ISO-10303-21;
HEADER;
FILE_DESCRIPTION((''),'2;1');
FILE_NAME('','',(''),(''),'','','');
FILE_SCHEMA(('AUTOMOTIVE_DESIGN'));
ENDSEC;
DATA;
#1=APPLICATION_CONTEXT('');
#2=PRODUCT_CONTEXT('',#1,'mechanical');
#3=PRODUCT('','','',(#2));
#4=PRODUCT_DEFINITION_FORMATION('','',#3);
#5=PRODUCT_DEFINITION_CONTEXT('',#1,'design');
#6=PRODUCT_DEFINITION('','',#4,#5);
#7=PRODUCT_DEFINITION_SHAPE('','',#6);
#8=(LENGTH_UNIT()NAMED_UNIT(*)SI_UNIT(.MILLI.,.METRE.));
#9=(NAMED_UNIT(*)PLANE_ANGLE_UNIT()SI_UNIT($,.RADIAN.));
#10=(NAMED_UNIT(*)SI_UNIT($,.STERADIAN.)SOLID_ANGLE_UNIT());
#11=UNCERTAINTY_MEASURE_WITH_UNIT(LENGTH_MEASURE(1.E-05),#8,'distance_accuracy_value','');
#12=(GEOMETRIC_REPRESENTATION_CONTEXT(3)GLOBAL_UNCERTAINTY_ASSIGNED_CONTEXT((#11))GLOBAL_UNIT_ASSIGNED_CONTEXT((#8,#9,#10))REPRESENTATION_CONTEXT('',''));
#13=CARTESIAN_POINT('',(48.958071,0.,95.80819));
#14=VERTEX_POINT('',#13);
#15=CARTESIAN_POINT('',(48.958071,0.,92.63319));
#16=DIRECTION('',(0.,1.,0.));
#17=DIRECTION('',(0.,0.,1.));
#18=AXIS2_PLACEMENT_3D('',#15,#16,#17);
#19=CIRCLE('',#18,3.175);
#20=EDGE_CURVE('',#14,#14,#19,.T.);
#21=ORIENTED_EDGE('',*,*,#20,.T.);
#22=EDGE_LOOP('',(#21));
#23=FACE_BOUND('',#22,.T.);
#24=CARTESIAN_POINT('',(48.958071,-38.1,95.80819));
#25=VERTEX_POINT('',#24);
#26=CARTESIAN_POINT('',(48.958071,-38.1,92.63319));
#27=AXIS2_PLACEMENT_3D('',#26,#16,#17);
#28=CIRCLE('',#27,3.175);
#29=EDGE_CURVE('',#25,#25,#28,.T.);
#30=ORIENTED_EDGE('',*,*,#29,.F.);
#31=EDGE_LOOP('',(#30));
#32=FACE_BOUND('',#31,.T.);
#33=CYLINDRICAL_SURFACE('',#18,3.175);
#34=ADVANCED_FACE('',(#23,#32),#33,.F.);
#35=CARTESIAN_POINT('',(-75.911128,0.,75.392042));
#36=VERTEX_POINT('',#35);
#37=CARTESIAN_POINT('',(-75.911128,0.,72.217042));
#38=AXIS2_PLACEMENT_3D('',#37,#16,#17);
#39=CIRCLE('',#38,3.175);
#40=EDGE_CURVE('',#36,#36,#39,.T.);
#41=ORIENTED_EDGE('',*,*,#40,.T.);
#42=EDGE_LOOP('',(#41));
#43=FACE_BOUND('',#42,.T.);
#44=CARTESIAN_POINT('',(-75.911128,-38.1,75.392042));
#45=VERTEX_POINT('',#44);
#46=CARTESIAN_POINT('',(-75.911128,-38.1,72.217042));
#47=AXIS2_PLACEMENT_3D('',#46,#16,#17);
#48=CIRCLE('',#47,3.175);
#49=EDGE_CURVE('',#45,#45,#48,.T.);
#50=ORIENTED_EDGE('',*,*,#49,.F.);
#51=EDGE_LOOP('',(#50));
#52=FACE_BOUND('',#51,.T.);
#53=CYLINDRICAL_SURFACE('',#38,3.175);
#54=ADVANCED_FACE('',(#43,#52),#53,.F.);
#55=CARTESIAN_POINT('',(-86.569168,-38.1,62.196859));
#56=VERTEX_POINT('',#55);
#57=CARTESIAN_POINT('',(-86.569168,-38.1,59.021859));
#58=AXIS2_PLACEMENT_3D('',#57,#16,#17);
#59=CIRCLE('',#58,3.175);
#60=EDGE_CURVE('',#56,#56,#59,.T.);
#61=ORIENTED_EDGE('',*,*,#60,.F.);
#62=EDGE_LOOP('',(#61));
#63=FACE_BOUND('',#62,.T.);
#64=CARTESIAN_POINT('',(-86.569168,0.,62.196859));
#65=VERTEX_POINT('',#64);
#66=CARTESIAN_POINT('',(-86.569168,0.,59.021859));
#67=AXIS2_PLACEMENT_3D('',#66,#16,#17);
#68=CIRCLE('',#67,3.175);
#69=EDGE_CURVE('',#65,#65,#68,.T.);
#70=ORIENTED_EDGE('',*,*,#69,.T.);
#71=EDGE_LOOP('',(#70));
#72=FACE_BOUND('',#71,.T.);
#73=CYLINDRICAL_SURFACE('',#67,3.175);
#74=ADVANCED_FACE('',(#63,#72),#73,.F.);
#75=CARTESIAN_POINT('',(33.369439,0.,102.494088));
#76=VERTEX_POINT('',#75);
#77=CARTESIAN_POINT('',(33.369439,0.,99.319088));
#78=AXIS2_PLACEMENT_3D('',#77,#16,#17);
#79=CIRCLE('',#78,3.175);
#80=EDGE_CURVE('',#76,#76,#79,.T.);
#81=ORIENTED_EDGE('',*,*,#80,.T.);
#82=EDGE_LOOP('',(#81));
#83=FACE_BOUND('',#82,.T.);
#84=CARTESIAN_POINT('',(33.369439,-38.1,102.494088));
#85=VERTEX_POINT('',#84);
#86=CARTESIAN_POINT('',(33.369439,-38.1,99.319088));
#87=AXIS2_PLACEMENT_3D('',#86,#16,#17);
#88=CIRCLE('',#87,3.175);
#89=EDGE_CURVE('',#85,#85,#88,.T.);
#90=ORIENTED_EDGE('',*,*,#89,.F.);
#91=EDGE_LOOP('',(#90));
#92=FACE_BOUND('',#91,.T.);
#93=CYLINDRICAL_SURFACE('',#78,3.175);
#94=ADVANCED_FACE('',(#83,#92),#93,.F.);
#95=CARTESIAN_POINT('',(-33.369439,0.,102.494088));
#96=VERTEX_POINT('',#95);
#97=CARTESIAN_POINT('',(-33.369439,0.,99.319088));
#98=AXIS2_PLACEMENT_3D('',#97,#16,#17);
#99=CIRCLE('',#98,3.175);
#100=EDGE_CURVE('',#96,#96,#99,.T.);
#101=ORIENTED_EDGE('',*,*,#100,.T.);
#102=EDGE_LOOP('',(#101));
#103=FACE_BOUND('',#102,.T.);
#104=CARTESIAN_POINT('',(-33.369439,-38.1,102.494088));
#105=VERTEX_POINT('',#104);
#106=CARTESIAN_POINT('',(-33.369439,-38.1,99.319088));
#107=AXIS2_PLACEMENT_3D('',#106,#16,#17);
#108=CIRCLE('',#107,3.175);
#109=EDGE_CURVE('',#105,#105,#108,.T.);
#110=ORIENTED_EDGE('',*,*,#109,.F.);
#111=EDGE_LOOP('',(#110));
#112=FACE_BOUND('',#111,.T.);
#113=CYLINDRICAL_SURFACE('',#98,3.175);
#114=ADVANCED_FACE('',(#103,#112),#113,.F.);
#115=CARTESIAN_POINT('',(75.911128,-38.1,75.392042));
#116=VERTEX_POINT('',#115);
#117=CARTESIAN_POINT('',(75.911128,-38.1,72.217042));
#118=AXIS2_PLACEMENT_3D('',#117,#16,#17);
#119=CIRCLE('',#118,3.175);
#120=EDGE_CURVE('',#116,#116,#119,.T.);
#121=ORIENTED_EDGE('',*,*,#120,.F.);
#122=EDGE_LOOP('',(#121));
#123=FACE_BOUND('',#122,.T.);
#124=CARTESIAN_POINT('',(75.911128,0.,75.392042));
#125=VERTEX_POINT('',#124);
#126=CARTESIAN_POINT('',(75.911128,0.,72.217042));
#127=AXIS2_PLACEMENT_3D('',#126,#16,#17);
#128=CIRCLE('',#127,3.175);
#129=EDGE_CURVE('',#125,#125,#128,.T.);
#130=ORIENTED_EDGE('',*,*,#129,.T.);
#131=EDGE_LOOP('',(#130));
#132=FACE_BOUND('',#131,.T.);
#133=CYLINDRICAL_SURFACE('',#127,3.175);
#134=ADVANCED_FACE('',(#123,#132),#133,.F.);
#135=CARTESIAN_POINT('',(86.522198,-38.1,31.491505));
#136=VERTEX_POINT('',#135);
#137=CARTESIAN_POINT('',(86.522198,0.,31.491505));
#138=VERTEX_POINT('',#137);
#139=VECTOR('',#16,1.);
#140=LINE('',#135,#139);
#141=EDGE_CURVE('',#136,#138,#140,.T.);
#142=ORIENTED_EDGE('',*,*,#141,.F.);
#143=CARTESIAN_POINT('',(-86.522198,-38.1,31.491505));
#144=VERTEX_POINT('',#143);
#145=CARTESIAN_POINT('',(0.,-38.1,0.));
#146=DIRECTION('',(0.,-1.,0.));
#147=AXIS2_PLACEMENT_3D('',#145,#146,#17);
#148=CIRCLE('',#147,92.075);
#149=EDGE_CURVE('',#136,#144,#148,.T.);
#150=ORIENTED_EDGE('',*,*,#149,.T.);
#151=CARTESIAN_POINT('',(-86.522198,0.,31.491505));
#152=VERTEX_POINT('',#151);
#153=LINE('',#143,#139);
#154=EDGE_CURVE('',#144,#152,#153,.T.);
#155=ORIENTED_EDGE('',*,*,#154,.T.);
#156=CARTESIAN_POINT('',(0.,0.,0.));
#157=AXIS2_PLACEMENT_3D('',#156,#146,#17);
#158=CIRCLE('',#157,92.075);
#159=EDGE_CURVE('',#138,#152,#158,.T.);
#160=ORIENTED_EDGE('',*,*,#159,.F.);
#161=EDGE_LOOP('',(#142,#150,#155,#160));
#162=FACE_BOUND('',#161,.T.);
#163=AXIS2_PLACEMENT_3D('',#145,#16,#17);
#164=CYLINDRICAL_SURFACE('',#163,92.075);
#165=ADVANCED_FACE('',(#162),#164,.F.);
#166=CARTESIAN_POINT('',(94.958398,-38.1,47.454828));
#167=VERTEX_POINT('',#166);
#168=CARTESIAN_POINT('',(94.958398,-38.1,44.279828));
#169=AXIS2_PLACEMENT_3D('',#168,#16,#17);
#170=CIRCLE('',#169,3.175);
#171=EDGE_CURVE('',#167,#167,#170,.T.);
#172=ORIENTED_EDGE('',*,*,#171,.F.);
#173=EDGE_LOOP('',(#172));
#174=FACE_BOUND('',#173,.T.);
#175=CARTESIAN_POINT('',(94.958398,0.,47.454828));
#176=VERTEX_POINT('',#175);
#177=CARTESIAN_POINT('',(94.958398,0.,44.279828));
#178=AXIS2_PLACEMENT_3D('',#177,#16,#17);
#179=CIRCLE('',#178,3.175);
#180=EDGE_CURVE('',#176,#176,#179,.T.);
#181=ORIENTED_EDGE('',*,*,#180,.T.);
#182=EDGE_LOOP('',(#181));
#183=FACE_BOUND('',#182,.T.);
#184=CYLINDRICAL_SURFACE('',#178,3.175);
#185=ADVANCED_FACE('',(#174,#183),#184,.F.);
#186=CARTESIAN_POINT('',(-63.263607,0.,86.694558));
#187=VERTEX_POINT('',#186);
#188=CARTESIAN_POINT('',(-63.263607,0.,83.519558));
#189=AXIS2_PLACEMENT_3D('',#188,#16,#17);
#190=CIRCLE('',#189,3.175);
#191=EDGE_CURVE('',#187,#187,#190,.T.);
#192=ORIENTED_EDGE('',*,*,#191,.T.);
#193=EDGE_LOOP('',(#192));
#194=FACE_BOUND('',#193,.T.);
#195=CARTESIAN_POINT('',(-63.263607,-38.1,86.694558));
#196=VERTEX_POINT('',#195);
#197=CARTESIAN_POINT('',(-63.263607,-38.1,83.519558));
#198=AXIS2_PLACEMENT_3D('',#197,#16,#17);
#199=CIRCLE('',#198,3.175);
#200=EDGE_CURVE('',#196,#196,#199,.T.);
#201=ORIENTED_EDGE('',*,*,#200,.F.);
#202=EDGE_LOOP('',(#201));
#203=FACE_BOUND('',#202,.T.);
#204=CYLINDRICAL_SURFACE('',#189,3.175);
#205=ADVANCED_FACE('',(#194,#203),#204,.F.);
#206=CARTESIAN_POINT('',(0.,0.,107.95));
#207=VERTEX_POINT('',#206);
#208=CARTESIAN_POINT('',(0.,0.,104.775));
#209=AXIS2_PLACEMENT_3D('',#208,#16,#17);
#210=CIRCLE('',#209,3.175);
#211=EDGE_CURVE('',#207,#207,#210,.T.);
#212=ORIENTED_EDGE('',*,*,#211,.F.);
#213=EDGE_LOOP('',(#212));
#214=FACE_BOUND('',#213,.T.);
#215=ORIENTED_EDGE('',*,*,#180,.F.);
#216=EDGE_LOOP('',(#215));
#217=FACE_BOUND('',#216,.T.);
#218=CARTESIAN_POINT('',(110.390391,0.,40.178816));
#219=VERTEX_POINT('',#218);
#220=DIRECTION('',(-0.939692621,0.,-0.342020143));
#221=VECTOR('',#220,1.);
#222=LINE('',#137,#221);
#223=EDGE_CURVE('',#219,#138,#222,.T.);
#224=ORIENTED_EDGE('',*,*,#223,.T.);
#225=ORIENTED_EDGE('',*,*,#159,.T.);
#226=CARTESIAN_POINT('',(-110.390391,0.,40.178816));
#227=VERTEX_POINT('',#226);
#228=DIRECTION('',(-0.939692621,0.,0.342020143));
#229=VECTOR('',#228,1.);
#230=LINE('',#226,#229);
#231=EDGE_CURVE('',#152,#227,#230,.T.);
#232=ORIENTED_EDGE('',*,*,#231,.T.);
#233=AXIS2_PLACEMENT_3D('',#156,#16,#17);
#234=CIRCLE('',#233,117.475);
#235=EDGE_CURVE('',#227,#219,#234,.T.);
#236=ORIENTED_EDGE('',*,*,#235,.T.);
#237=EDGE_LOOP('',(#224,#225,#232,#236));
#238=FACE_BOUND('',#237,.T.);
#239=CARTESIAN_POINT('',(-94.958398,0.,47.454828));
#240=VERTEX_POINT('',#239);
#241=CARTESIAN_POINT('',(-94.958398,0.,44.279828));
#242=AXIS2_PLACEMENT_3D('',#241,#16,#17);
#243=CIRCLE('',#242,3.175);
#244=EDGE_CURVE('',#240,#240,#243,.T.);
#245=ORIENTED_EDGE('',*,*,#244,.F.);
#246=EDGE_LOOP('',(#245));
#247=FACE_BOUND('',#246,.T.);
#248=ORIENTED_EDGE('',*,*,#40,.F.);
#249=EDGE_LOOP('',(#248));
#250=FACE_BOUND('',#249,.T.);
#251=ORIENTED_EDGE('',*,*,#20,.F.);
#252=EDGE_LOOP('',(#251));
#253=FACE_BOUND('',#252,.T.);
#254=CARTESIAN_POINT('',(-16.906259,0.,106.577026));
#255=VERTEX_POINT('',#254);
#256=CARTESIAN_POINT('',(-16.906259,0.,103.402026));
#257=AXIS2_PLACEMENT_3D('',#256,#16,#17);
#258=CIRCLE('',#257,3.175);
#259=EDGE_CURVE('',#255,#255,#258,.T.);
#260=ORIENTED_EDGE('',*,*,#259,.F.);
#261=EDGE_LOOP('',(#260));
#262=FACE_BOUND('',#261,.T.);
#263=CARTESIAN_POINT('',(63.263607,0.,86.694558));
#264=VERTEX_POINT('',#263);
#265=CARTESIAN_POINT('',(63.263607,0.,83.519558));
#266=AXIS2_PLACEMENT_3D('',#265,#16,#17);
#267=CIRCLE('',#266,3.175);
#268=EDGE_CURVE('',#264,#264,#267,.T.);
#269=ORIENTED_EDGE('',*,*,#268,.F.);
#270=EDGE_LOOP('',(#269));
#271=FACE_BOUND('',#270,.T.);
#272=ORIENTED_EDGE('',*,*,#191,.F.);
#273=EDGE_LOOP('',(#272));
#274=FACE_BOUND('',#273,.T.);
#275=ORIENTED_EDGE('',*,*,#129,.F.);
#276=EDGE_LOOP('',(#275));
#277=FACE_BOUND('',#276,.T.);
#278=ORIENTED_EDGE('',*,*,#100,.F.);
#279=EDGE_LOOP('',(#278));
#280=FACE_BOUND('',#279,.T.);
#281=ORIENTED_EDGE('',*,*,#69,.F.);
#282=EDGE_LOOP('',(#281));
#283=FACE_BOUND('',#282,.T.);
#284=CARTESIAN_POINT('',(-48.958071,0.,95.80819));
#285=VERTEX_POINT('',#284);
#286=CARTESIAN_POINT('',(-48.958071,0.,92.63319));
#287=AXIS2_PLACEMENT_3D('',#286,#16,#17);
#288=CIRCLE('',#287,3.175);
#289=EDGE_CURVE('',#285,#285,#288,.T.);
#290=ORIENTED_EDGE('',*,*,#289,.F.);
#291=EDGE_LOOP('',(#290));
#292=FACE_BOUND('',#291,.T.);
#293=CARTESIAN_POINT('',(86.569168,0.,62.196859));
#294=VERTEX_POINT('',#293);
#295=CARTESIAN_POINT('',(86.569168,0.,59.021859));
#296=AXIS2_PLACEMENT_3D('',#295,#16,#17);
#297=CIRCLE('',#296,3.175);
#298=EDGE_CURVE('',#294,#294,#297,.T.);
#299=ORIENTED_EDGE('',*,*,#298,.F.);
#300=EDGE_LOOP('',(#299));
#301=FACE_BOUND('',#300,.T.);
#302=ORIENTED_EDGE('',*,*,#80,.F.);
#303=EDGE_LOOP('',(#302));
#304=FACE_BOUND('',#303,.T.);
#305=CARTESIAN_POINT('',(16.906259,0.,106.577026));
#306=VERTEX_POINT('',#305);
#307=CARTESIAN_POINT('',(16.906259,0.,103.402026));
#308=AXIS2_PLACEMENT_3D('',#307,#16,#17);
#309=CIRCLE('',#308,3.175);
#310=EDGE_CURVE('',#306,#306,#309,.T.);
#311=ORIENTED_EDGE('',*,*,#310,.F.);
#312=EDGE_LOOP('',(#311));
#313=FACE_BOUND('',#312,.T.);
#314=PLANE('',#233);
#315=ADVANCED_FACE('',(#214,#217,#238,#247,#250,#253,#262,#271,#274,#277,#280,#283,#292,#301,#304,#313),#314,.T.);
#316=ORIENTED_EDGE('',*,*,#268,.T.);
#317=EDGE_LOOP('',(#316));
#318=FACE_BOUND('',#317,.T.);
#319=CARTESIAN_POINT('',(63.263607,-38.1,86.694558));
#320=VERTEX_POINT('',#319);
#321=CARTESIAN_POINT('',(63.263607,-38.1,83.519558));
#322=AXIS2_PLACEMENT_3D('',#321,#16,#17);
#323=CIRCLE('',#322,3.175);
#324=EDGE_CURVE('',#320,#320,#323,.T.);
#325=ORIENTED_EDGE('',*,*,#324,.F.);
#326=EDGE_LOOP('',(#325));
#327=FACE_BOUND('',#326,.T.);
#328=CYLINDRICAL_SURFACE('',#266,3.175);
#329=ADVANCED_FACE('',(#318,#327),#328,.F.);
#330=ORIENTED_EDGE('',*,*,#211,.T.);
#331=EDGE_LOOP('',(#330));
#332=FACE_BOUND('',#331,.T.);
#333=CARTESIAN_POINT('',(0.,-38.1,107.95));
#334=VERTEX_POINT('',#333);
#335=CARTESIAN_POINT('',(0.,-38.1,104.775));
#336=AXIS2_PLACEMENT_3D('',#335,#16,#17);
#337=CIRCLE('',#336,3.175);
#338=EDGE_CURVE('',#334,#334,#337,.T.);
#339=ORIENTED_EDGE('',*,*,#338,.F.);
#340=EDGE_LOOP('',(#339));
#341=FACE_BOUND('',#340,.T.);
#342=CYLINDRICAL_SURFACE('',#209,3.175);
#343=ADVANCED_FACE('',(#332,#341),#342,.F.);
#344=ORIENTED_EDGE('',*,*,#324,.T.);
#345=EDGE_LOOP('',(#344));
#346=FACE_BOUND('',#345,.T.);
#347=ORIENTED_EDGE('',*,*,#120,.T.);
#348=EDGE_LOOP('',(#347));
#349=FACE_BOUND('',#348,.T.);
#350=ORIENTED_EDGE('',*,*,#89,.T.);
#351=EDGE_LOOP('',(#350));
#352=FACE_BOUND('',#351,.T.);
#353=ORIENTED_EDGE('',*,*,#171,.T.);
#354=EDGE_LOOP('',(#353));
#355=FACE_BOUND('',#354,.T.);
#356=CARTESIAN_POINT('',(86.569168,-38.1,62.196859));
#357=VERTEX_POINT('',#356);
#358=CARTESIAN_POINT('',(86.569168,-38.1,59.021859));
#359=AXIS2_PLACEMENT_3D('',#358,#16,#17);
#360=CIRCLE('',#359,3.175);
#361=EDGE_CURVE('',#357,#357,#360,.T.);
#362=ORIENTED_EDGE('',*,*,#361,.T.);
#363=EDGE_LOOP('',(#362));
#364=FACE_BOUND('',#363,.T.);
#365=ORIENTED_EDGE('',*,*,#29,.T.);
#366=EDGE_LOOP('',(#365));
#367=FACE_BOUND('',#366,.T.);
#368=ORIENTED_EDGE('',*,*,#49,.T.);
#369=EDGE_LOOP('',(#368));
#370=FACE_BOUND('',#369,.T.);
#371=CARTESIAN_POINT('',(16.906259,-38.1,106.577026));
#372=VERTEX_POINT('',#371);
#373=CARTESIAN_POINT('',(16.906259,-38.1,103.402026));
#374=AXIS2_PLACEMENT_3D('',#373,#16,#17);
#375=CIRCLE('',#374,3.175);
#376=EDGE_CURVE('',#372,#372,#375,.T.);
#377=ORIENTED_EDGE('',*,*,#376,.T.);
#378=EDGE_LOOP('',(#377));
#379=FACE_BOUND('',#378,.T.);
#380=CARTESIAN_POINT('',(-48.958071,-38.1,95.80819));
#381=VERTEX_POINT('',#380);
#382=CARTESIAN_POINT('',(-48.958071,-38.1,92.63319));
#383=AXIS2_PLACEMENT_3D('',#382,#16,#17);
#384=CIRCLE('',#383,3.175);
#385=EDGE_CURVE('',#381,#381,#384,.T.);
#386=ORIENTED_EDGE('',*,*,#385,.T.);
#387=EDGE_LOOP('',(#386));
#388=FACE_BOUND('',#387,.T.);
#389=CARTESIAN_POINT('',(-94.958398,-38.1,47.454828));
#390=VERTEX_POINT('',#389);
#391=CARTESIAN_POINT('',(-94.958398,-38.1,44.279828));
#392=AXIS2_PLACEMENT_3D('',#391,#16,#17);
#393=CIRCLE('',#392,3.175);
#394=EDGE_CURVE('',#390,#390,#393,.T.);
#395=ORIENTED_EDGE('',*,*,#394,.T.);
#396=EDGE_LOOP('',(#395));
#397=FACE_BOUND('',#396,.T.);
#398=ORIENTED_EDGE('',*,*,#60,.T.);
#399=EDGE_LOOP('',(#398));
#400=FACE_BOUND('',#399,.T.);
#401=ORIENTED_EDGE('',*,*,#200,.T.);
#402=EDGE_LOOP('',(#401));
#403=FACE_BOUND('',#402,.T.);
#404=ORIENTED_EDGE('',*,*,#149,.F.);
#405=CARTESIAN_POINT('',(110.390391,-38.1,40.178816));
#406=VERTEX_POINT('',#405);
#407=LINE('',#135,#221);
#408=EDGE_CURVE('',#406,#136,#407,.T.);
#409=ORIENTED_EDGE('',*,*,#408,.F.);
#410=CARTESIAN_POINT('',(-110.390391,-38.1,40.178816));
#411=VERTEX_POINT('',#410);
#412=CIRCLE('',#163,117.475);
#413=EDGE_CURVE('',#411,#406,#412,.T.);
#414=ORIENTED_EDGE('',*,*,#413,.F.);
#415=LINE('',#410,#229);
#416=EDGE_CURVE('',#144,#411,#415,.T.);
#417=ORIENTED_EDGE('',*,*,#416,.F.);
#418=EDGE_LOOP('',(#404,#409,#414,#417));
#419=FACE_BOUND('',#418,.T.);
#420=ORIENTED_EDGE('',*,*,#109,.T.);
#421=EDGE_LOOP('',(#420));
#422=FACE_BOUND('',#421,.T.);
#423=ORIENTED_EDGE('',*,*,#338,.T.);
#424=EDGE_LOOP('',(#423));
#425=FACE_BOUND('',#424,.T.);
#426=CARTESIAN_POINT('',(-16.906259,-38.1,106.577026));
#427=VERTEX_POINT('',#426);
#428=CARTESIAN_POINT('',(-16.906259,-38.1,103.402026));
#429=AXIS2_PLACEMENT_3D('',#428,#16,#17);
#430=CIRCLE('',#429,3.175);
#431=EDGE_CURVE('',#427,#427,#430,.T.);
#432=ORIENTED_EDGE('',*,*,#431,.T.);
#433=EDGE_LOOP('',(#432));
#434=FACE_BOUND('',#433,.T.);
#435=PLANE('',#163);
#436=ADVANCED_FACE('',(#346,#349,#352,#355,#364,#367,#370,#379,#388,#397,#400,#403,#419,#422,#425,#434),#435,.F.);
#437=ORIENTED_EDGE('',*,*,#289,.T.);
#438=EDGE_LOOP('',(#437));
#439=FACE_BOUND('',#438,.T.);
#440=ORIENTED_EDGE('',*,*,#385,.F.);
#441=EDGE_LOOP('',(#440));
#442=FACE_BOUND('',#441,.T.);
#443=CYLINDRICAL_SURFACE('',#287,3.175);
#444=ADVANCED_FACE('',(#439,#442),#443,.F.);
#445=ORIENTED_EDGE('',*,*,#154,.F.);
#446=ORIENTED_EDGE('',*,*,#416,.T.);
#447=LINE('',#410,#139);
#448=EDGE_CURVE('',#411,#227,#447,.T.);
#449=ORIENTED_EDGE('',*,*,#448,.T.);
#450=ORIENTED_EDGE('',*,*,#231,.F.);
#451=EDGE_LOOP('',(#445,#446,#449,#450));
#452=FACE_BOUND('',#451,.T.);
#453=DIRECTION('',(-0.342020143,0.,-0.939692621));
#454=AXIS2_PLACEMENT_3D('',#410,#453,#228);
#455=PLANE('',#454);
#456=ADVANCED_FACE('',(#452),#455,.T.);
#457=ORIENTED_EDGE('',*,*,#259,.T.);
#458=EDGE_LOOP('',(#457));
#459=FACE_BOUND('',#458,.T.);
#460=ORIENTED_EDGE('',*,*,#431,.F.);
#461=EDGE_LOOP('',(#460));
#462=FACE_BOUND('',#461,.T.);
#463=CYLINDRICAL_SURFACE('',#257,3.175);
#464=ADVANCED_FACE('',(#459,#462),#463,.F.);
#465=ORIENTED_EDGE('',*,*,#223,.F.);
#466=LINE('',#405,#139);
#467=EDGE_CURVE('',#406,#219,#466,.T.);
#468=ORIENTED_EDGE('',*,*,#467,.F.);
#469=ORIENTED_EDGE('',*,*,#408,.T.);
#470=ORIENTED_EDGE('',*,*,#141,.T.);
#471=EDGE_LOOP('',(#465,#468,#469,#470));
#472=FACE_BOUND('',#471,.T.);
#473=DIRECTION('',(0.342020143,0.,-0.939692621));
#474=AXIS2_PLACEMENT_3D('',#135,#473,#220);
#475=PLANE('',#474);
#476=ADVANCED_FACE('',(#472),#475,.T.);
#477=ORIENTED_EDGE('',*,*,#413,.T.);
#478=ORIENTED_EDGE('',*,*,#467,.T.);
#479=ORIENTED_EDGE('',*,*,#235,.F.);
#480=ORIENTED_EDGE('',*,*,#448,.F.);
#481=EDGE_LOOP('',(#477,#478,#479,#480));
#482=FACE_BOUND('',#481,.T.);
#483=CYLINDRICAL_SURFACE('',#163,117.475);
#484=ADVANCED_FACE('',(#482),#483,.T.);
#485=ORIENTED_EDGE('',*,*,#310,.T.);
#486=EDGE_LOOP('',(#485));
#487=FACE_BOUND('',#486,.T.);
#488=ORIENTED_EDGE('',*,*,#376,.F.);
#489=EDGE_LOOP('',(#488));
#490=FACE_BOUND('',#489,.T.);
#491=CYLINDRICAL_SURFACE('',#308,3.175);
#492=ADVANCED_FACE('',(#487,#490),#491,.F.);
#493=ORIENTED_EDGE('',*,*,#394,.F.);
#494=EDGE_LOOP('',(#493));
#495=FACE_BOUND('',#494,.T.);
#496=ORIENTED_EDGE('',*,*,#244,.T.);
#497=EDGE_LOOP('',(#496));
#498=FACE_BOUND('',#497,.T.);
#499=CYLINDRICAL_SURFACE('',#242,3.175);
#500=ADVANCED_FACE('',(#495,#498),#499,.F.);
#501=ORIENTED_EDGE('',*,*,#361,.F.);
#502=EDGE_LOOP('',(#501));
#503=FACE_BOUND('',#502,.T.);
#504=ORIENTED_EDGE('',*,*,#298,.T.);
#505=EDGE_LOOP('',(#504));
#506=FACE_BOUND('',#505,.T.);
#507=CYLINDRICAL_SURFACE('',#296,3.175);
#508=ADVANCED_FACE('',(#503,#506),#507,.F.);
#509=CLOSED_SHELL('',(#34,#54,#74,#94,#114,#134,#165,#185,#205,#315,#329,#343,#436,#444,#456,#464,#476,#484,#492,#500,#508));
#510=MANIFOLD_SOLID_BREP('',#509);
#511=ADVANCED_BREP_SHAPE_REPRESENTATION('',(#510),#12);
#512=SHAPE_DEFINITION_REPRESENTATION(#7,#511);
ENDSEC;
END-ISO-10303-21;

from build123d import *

# Parameters (mm, degrees)
BOSS_EXTRUDE1_DEPTH        = 38.1
F_1_4_0_2500_DOWEL_HOLE1_D = 6.35
CIRPATTERN1_COUNT          = 8
CIRPATTERN1_ANGLE          = 65
MIRROR1_COPY_1_D           = 6.35
MIRROR1_COPY_2_D           = 6.35
MIRROR1_COPY_3_D           = 6.35
MIRROR1_COPY_4_D           = 6.35
MIRROR1_COPY_5_D           = 6.35
MIRROR1_COPY_6_D           = 6.35
MIRROR1_COPY_7_D           = 6.35
MIRROR1_COPY_8_D           = 6.35


with BuildPart() as part:
    # Sketch1 → Boss-Extrude1 (new body)
    with BuildSketch(Plane(origin=(0, 0, 0), x_dir=(1, 0, 0), z_dir=(0, 1, 0))):
        with BuildLine():
            Line((-110.390390627, -40.178816337), (-86.522198059, -31.491504697))
            ThreePointArc((-86.522198059, -31.491504697), (0, -92.075), (86.522198059, -31.491504697))
            Line((86.522198059, -31.491504697), (110.390390627, -40.178816337))
            ThreePointArc((110.390390627, -40.178816337), (0, -117.475), (-110.390390627, -40.178816337))
        make_face()
    extrude(amount=-BOSS_EXTRUDE1_DEPTH)

    # 1/4 (0.2500) Dowel Hole1 (through all)
    with Locations(Plane(origin=(0, 0, 0), x_dir=(1, 0, 0), z_dir=(0, 1, 0))):
        with Locations((0, -104.775)):
            f_1_4_0_2500_dowel_hole1 = Hole(F_1_4_0_2500_DOWEL_HOLE1_D / 2)

    # CirPattern1: 1/4 (0.2500) Dowel Hole1 ×8 about axis
    cirpattern1_axis = Axis((0, 0, 0), (0, -1, 0))
    for i in range(1, CIRPATTERN1_COUNT):
        add(f_1_4_0_2500_dowel_hole1.rotate(cirpattern1_axis, i * CIRPATTERN1_ANGLE / (CIRPATTERN1_COUNT - 1)), mode=Mode.SUBTRACT)

    # Mirror1 copy 1 (through all)
    with Locations(Plane(origin=(0, 0, 0), x_dir=(-0.9868959788567211, 0, 0.161357760632807), z_dir=(0, 1, 0))):
        with Locations((0, 104.775)):
            Hole(MIRROR1_COPY_1_D / 2)

    # Mirror1 copy 2 (through all)
    with Locations(Plane(origin=(0, 0, 0), x_dir=(-0.9479273461671315, 0, 0.3184866502516851), z_dir=(0, 1, 0))):
        with Locations((0, 104.775)):
            Hole(MIRROR1_COPY_2_D / 2)

    # Mirror1 copy 3 (through all)
    with Locations(Plane(origin=(0, 0, 0), x_dir=(-0.8841153935046093, 0, 0.4672686282730629), z_dir=(0, 1, 0))):
        with Locations((0, 104.775)):
            Hole(MIRROR1_COPY_3_D / 2)

    # Mirror1 copy 4 (through all)
    with Locations(Plane(origin=(0, 0, 0), x_dir=(-0.7971325072229216, 0, 0.6038044103254785), z_dir=(0, 1, 0))):
        with Locations((0, 104.775)):
            Hole(MIRROR1_COPY_4_D / 2)

    # Mirror1 copy 5 (through all)
    with Locations(Plane(origin=(0, 0, 0), x_dir=(-0.6892583384839459, 0, 0.7245156608592739), z_dir=(0, 1, 0))):
        with Locations((0, 104.775)):
            Hole(MIRROR1_COPY_5_D / 2)

    # Mirror1 copy 6 (through all)
    with Locations(Plane(origin=(0, 0, 0), x_dir=(-0.5633200580636203, 0, 0.8262387743159961), z_dir=(0, 1, 0))):
        with Locations((0, 104.775)):
            Hole(MIRROR1_COPY_6_D / 2)

    # Mirror1 copy 7 (through all)
    with Locations(Plane(origin=(0, 0, 0), x_dir=(-0.4226182617406972, 0, 0.906307787036651), z_dir=(0, 1, 0))):
        with Locations((0, 104.775)):
            Hole(MIRROR1_COPY_7_D / 2)

    # Mirror1 copy 8 (through all)
    with Locations(Plane(origin=(0, 0, 0), x_dir=(-1, 0, 0), z_dir=(0, 1, 0))):
        with Locations((0, 104.775)):
            Hole(MIRROR1_COPY_8_D / 2)


solid = part.part
